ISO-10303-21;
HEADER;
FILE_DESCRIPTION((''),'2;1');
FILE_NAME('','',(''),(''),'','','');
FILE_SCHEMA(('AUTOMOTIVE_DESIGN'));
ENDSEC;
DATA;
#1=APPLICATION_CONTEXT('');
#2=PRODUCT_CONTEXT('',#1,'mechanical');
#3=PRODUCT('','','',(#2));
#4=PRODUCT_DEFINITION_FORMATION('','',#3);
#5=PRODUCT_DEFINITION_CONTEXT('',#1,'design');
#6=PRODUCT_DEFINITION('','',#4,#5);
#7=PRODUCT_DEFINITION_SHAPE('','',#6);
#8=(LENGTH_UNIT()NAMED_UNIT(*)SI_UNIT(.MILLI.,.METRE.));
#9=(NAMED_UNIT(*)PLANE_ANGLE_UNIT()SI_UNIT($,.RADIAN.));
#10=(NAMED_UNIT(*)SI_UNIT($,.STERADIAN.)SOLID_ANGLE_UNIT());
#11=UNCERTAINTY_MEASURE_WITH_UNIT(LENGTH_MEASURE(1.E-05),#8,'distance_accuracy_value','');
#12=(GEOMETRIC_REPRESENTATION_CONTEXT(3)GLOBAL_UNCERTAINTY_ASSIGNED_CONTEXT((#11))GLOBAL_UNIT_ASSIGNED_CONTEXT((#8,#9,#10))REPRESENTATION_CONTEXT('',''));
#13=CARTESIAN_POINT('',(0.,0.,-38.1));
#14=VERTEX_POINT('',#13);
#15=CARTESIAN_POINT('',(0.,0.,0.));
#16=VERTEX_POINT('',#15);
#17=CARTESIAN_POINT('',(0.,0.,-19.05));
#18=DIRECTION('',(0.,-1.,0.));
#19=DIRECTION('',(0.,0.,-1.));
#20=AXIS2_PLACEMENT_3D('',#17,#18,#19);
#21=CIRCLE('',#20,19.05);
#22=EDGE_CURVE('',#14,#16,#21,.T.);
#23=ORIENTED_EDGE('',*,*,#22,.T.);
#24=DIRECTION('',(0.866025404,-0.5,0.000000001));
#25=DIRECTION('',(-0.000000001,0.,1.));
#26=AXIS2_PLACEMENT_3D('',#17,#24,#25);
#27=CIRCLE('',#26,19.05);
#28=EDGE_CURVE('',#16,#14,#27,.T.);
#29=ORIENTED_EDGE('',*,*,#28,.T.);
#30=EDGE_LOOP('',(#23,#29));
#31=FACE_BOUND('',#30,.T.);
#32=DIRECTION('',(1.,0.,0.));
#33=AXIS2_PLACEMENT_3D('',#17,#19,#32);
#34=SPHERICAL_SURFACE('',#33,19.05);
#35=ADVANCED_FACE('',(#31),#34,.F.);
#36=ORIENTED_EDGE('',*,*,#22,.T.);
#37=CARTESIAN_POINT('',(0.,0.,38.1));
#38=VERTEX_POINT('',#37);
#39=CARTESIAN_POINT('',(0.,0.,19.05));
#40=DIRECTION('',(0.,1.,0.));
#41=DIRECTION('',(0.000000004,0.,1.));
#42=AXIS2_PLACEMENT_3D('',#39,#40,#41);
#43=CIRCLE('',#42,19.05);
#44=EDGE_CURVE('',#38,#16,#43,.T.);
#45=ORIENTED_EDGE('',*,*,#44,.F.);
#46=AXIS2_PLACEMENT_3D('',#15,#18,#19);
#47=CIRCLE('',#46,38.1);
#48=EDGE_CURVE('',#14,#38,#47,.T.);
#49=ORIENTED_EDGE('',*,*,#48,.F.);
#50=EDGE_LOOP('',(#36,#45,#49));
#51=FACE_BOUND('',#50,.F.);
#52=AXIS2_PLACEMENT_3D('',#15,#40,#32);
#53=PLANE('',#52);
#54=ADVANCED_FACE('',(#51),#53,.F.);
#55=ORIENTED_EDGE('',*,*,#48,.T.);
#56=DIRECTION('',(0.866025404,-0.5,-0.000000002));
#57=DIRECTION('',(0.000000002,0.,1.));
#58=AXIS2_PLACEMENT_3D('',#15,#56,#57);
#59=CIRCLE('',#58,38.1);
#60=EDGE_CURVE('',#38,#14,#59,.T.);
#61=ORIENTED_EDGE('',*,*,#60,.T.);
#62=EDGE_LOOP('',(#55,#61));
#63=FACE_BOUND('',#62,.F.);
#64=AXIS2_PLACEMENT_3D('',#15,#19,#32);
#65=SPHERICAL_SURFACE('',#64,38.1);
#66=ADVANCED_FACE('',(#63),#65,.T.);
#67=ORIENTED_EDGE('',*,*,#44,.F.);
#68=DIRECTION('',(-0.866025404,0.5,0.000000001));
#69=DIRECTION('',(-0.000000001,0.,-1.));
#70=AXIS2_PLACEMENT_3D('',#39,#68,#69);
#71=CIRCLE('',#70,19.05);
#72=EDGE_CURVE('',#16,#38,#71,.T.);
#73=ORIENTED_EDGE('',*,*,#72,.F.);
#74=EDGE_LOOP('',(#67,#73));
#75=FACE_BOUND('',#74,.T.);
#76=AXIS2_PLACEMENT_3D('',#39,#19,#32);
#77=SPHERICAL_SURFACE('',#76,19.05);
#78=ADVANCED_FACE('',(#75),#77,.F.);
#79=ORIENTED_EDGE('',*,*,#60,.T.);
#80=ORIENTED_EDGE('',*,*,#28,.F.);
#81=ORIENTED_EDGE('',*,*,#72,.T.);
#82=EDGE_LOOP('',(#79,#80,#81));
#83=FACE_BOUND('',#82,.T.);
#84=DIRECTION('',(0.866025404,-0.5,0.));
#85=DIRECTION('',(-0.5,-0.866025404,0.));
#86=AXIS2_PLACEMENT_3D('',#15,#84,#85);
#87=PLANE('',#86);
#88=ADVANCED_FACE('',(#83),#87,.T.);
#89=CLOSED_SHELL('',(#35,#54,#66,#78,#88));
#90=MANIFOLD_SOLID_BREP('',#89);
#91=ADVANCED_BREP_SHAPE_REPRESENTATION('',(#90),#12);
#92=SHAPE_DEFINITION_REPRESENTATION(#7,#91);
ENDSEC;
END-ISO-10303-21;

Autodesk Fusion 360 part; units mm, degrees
sketch "Sketch1" plane through (0, 0, 0) normal (0, 1, 0) x (1, 0, 0)
  circle A0 centre (0, 0) radius 38.1
  line L0 (-38.1, 0) -> (44.45, 0)
  circle A1 centre (0, -19.05) radius 19.05
  circle A2 centre (0, 19.05) radius 19.05
revolve "Revolve1" add sketch "Sketch1" angle 240 about axis through (0, 0, 1.75) along (0, 0, 1) contours A0 L0 A2 | A0 L0 A1 picked at (30.6127, 4.7243) picked at (30.6127, -4.7243)
